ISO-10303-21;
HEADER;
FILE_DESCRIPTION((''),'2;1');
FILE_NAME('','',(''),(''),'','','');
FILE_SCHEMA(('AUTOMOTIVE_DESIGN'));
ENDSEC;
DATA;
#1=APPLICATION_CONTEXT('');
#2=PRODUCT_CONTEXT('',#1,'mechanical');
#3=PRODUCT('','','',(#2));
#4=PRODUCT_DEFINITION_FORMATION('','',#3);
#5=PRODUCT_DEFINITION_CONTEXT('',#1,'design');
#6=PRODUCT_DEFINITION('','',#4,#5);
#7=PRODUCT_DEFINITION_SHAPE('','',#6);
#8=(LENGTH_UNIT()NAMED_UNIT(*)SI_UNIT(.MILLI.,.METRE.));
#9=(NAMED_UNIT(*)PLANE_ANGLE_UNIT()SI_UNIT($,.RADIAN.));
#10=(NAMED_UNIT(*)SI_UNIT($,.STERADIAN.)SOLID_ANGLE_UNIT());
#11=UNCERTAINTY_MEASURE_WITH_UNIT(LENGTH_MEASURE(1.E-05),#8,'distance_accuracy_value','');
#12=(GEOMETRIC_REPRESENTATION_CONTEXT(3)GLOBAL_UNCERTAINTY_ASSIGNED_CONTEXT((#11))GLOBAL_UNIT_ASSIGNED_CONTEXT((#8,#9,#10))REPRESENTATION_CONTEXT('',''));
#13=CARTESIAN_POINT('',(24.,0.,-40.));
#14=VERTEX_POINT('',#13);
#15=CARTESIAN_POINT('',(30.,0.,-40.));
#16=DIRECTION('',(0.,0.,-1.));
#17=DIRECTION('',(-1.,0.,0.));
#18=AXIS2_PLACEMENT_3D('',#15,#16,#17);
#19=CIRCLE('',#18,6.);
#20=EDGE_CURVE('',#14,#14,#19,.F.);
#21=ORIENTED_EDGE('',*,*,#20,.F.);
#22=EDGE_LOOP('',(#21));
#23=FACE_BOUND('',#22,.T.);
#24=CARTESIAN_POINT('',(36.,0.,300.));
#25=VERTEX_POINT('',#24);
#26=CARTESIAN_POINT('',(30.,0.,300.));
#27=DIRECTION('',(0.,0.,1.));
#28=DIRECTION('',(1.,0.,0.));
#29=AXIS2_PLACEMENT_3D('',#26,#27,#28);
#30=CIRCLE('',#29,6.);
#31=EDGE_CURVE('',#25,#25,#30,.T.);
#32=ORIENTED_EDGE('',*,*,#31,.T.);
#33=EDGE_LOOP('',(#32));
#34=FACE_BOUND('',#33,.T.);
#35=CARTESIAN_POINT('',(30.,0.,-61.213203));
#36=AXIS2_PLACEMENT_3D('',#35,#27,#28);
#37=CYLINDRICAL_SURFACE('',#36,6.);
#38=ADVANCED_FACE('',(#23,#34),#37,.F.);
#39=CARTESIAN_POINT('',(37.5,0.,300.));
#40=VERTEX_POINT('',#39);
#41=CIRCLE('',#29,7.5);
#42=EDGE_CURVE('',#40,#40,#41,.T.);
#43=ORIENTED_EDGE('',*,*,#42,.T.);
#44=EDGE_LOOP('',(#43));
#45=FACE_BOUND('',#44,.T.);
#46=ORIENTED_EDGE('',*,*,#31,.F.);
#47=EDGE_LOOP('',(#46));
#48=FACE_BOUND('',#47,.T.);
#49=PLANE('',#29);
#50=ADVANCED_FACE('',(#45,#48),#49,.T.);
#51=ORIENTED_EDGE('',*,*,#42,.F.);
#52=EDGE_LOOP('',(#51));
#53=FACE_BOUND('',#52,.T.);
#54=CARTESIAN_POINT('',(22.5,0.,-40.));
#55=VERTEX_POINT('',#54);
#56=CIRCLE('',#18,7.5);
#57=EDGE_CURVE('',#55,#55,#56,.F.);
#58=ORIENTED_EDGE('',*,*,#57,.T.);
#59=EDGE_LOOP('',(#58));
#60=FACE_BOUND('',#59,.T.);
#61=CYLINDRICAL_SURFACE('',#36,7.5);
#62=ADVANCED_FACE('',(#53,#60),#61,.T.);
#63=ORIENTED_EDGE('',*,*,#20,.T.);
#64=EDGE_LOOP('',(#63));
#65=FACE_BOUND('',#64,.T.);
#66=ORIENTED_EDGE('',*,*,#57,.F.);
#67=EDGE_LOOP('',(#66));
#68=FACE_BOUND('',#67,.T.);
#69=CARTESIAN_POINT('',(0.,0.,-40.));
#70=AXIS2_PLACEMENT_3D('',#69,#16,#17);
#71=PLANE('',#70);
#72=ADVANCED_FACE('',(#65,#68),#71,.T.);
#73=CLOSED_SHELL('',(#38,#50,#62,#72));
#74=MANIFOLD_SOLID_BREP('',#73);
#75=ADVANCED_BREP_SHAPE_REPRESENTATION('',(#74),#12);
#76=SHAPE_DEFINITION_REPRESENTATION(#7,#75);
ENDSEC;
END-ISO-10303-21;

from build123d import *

# Parameters (mm, degrees)
ESQUISSE1_R             = 7.5
ESQUISSE1_R_2           = 6
BOSS_EXTRU_1_DEPTH      = 300
BOSS_EXTRU_1_DEPTH_BACK = 40


with BuildPart() as part:
    # Esquisse1 → Boss.-Extru.1 (new body, two sides)
    with BuildSketch(Plane.XY) as boss_extru_1_sk:
        with Locations((30, 0)):
            Circle(ESQUISSE1_R)
        with Locations((30, 0)):
            Circle(ESQUISSE1_R_2, mode=Mode.SUBTRACT)
    extrude(amount=BOSS_EXTRU_1_DEPTH)
    extrude(boss_extru_1_sk.sketch, amount=-BOSS_EXTRU_1_DEPTH_BACK)


solid = part.part
